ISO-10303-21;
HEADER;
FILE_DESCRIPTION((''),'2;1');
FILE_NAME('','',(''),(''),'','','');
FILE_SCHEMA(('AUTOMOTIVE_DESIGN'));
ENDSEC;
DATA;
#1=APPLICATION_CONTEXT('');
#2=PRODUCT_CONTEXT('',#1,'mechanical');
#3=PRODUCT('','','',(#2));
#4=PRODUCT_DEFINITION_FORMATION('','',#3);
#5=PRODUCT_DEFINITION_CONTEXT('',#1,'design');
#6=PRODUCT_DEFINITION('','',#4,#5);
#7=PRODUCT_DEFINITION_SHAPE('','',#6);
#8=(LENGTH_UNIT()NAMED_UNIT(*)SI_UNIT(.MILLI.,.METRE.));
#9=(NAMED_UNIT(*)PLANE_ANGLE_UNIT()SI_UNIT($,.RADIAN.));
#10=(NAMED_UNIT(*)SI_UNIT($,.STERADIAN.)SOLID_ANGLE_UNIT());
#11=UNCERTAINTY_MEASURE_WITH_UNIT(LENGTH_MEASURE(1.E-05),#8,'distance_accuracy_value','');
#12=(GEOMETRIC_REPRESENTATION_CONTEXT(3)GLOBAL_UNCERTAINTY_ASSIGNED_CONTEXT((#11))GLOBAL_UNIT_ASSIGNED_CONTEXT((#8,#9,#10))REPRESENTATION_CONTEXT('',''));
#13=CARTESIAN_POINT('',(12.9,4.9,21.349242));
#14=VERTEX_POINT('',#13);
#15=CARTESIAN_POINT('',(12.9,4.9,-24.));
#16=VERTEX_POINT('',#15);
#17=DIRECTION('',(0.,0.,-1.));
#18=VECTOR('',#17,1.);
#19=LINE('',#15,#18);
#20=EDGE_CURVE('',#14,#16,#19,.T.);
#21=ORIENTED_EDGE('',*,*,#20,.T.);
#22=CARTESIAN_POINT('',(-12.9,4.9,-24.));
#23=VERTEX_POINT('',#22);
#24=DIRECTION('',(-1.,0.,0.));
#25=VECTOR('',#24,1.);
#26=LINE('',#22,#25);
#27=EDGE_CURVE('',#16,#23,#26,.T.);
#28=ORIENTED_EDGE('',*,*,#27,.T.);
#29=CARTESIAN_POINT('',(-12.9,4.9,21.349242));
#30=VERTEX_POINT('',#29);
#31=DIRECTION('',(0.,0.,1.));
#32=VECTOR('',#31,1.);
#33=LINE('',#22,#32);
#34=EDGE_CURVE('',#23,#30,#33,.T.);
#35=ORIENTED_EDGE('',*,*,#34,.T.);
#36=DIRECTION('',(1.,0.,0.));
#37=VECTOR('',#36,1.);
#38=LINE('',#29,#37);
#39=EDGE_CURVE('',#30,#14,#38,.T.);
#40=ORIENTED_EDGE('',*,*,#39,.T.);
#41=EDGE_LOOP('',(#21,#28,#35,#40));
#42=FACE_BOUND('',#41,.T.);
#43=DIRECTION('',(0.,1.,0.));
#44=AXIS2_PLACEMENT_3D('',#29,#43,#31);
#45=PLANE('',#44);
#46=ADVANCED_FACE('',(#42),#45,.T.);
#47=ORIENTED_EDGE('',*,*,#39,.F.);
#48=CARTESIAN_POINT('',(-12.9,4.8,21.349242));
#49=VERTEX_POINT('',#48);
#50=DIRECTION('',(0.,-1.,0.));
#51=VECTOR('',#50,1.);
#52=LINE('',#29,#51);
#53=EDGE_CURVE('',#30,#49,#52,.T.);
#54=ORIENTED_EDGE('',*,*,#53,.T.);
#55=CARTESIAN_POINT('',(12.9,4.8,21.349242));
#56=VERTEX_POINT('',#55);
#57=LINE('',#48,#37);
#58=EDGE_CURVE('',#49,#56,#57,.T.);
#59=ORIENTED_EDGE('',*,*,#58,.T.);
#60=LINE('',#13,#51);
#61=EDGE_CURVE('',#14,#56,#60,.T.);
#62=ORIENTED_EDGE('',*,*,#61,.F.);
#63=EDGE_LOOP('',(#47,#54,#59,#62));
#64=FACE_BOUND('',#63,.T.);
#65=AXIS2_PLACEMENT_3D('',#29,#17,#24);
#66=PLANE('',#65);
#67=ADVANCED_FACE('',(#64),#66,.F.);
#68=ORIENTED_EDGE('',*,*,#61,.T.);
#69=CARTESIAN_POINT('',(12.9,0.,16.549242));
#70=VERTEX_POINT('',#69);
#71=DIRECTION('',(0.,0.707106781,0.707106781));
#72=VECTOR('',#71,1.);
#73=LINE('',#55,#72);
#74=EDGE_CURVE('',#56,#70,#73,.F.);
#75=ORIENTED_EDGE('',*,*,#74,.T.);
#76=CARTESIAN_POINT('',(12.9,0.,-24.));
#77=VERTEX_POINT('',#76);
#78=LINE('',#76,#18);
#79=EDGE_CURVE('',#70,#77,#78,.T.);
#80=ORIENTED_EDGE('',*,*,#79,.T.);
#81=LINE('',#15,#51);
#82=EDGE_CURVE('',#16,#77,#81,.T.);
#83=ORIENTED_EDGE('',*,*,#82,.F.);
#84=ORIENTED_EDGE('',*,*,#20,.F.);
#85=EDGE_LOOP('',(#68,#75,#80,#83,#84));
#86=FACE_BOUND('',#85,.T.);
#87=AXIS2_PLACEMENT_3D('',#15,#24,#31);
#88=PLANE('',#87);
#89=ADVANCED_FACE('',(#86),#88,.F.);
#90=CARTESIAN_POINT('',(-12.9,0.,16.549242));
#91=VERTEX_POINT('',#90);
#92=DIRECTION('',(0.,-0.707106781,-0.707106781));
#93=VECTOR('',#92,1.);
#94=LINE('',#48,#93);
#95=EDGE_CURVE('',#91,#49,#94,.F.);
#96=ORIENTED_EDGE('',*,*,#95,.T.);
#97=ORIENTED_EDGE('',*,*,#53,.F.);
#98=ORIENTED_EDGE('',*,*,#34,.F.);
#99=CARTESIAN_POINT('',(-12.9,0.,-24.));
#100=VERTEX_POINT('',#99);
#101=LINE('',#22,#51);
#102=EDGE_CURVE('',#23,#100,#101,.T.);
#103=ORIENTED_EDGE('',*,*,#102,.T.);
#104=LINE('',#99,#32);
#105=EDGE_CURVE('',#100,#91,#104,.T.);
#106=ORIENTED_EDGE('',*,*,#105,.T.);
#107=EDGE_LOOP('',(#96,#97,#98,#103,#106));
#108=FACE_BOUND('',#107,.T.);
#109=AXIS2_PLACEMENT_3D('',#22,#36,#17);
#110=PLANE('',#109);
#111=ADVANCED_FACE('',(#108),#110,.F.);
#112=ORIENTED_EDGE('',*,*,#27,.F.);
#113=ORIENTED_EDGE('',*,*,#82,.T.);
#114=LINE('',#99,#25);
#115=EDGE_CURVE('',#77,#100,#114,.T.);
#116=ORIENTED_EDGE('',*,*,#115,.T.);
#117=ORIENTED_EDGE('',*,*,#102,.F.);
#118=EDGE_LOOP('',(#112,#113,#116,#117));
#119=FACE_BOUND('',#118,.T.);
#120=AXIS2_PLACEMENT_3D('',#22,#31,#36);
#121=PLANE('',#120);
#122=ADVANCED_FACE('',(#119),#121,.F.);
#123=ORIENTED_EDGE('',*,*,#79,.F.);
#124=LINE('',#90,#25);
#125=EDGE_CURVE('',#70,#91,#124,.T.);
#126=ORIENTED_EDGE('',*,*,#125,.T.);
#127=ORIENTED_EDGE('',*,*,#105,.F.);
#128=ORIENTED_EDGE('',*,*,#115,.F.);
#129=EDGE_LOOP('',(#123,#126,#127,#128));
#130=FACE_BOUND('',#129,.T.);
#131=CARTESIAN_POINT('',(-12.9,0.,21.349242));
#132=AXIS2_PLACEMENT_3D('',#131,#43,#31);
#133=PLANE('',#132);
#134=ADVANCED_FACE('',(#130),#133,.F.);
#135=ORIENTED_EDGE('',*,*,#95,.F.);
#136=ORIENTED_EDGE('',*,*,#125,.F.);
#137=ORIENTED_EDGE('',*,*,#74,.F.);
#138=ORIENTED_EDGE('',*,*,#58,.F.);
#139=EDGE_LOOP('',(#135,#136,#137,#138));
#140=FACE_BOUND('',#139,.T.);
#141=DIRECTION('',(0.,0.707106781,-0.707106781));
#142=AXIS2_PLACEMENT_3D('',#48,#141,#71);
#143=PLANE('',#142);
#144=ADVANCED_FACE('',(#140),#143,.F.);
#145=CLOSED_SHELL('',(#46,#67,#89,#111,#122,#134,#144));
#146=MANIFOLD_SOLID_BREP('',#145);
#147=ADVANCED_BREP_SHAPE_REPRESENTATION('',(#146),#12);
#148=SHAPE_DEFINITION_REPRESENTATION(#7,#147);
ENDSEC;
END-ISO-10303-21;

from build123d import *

# Parameters (mm, degrees)
ESQUISSE1_W      = 25.8
ESQUISSE1_H      = 45.349242405
EXTRUSION1_DEPTH = 4.9
CHANFREIN2_SIZE  = 4.8


with BuildPart() as part:
    # Esquisse1 → Extrusion1 (new body)
    with BuildSketch(Plane(origin=(0, 0, 0), x_dir=(1, 0, 0), z_dir=(0, 1, 0))):
        with Locations((0, 1.325378797)):
            Rectangle(ESQUISSE1_W, ESQUISSE1_H)
    extrude(amount=EXTRUSION1_DEPTH)

    # Chanfrein2
    chanfrein2_edges = [part.edges().sort_by_distance(p)[0] for p in [
        (0, 0, 21.349242405),
    ]]
    chamfer(chanfrein2_edges, length=CHANFREIN2_SIZE)


solid = part.part
